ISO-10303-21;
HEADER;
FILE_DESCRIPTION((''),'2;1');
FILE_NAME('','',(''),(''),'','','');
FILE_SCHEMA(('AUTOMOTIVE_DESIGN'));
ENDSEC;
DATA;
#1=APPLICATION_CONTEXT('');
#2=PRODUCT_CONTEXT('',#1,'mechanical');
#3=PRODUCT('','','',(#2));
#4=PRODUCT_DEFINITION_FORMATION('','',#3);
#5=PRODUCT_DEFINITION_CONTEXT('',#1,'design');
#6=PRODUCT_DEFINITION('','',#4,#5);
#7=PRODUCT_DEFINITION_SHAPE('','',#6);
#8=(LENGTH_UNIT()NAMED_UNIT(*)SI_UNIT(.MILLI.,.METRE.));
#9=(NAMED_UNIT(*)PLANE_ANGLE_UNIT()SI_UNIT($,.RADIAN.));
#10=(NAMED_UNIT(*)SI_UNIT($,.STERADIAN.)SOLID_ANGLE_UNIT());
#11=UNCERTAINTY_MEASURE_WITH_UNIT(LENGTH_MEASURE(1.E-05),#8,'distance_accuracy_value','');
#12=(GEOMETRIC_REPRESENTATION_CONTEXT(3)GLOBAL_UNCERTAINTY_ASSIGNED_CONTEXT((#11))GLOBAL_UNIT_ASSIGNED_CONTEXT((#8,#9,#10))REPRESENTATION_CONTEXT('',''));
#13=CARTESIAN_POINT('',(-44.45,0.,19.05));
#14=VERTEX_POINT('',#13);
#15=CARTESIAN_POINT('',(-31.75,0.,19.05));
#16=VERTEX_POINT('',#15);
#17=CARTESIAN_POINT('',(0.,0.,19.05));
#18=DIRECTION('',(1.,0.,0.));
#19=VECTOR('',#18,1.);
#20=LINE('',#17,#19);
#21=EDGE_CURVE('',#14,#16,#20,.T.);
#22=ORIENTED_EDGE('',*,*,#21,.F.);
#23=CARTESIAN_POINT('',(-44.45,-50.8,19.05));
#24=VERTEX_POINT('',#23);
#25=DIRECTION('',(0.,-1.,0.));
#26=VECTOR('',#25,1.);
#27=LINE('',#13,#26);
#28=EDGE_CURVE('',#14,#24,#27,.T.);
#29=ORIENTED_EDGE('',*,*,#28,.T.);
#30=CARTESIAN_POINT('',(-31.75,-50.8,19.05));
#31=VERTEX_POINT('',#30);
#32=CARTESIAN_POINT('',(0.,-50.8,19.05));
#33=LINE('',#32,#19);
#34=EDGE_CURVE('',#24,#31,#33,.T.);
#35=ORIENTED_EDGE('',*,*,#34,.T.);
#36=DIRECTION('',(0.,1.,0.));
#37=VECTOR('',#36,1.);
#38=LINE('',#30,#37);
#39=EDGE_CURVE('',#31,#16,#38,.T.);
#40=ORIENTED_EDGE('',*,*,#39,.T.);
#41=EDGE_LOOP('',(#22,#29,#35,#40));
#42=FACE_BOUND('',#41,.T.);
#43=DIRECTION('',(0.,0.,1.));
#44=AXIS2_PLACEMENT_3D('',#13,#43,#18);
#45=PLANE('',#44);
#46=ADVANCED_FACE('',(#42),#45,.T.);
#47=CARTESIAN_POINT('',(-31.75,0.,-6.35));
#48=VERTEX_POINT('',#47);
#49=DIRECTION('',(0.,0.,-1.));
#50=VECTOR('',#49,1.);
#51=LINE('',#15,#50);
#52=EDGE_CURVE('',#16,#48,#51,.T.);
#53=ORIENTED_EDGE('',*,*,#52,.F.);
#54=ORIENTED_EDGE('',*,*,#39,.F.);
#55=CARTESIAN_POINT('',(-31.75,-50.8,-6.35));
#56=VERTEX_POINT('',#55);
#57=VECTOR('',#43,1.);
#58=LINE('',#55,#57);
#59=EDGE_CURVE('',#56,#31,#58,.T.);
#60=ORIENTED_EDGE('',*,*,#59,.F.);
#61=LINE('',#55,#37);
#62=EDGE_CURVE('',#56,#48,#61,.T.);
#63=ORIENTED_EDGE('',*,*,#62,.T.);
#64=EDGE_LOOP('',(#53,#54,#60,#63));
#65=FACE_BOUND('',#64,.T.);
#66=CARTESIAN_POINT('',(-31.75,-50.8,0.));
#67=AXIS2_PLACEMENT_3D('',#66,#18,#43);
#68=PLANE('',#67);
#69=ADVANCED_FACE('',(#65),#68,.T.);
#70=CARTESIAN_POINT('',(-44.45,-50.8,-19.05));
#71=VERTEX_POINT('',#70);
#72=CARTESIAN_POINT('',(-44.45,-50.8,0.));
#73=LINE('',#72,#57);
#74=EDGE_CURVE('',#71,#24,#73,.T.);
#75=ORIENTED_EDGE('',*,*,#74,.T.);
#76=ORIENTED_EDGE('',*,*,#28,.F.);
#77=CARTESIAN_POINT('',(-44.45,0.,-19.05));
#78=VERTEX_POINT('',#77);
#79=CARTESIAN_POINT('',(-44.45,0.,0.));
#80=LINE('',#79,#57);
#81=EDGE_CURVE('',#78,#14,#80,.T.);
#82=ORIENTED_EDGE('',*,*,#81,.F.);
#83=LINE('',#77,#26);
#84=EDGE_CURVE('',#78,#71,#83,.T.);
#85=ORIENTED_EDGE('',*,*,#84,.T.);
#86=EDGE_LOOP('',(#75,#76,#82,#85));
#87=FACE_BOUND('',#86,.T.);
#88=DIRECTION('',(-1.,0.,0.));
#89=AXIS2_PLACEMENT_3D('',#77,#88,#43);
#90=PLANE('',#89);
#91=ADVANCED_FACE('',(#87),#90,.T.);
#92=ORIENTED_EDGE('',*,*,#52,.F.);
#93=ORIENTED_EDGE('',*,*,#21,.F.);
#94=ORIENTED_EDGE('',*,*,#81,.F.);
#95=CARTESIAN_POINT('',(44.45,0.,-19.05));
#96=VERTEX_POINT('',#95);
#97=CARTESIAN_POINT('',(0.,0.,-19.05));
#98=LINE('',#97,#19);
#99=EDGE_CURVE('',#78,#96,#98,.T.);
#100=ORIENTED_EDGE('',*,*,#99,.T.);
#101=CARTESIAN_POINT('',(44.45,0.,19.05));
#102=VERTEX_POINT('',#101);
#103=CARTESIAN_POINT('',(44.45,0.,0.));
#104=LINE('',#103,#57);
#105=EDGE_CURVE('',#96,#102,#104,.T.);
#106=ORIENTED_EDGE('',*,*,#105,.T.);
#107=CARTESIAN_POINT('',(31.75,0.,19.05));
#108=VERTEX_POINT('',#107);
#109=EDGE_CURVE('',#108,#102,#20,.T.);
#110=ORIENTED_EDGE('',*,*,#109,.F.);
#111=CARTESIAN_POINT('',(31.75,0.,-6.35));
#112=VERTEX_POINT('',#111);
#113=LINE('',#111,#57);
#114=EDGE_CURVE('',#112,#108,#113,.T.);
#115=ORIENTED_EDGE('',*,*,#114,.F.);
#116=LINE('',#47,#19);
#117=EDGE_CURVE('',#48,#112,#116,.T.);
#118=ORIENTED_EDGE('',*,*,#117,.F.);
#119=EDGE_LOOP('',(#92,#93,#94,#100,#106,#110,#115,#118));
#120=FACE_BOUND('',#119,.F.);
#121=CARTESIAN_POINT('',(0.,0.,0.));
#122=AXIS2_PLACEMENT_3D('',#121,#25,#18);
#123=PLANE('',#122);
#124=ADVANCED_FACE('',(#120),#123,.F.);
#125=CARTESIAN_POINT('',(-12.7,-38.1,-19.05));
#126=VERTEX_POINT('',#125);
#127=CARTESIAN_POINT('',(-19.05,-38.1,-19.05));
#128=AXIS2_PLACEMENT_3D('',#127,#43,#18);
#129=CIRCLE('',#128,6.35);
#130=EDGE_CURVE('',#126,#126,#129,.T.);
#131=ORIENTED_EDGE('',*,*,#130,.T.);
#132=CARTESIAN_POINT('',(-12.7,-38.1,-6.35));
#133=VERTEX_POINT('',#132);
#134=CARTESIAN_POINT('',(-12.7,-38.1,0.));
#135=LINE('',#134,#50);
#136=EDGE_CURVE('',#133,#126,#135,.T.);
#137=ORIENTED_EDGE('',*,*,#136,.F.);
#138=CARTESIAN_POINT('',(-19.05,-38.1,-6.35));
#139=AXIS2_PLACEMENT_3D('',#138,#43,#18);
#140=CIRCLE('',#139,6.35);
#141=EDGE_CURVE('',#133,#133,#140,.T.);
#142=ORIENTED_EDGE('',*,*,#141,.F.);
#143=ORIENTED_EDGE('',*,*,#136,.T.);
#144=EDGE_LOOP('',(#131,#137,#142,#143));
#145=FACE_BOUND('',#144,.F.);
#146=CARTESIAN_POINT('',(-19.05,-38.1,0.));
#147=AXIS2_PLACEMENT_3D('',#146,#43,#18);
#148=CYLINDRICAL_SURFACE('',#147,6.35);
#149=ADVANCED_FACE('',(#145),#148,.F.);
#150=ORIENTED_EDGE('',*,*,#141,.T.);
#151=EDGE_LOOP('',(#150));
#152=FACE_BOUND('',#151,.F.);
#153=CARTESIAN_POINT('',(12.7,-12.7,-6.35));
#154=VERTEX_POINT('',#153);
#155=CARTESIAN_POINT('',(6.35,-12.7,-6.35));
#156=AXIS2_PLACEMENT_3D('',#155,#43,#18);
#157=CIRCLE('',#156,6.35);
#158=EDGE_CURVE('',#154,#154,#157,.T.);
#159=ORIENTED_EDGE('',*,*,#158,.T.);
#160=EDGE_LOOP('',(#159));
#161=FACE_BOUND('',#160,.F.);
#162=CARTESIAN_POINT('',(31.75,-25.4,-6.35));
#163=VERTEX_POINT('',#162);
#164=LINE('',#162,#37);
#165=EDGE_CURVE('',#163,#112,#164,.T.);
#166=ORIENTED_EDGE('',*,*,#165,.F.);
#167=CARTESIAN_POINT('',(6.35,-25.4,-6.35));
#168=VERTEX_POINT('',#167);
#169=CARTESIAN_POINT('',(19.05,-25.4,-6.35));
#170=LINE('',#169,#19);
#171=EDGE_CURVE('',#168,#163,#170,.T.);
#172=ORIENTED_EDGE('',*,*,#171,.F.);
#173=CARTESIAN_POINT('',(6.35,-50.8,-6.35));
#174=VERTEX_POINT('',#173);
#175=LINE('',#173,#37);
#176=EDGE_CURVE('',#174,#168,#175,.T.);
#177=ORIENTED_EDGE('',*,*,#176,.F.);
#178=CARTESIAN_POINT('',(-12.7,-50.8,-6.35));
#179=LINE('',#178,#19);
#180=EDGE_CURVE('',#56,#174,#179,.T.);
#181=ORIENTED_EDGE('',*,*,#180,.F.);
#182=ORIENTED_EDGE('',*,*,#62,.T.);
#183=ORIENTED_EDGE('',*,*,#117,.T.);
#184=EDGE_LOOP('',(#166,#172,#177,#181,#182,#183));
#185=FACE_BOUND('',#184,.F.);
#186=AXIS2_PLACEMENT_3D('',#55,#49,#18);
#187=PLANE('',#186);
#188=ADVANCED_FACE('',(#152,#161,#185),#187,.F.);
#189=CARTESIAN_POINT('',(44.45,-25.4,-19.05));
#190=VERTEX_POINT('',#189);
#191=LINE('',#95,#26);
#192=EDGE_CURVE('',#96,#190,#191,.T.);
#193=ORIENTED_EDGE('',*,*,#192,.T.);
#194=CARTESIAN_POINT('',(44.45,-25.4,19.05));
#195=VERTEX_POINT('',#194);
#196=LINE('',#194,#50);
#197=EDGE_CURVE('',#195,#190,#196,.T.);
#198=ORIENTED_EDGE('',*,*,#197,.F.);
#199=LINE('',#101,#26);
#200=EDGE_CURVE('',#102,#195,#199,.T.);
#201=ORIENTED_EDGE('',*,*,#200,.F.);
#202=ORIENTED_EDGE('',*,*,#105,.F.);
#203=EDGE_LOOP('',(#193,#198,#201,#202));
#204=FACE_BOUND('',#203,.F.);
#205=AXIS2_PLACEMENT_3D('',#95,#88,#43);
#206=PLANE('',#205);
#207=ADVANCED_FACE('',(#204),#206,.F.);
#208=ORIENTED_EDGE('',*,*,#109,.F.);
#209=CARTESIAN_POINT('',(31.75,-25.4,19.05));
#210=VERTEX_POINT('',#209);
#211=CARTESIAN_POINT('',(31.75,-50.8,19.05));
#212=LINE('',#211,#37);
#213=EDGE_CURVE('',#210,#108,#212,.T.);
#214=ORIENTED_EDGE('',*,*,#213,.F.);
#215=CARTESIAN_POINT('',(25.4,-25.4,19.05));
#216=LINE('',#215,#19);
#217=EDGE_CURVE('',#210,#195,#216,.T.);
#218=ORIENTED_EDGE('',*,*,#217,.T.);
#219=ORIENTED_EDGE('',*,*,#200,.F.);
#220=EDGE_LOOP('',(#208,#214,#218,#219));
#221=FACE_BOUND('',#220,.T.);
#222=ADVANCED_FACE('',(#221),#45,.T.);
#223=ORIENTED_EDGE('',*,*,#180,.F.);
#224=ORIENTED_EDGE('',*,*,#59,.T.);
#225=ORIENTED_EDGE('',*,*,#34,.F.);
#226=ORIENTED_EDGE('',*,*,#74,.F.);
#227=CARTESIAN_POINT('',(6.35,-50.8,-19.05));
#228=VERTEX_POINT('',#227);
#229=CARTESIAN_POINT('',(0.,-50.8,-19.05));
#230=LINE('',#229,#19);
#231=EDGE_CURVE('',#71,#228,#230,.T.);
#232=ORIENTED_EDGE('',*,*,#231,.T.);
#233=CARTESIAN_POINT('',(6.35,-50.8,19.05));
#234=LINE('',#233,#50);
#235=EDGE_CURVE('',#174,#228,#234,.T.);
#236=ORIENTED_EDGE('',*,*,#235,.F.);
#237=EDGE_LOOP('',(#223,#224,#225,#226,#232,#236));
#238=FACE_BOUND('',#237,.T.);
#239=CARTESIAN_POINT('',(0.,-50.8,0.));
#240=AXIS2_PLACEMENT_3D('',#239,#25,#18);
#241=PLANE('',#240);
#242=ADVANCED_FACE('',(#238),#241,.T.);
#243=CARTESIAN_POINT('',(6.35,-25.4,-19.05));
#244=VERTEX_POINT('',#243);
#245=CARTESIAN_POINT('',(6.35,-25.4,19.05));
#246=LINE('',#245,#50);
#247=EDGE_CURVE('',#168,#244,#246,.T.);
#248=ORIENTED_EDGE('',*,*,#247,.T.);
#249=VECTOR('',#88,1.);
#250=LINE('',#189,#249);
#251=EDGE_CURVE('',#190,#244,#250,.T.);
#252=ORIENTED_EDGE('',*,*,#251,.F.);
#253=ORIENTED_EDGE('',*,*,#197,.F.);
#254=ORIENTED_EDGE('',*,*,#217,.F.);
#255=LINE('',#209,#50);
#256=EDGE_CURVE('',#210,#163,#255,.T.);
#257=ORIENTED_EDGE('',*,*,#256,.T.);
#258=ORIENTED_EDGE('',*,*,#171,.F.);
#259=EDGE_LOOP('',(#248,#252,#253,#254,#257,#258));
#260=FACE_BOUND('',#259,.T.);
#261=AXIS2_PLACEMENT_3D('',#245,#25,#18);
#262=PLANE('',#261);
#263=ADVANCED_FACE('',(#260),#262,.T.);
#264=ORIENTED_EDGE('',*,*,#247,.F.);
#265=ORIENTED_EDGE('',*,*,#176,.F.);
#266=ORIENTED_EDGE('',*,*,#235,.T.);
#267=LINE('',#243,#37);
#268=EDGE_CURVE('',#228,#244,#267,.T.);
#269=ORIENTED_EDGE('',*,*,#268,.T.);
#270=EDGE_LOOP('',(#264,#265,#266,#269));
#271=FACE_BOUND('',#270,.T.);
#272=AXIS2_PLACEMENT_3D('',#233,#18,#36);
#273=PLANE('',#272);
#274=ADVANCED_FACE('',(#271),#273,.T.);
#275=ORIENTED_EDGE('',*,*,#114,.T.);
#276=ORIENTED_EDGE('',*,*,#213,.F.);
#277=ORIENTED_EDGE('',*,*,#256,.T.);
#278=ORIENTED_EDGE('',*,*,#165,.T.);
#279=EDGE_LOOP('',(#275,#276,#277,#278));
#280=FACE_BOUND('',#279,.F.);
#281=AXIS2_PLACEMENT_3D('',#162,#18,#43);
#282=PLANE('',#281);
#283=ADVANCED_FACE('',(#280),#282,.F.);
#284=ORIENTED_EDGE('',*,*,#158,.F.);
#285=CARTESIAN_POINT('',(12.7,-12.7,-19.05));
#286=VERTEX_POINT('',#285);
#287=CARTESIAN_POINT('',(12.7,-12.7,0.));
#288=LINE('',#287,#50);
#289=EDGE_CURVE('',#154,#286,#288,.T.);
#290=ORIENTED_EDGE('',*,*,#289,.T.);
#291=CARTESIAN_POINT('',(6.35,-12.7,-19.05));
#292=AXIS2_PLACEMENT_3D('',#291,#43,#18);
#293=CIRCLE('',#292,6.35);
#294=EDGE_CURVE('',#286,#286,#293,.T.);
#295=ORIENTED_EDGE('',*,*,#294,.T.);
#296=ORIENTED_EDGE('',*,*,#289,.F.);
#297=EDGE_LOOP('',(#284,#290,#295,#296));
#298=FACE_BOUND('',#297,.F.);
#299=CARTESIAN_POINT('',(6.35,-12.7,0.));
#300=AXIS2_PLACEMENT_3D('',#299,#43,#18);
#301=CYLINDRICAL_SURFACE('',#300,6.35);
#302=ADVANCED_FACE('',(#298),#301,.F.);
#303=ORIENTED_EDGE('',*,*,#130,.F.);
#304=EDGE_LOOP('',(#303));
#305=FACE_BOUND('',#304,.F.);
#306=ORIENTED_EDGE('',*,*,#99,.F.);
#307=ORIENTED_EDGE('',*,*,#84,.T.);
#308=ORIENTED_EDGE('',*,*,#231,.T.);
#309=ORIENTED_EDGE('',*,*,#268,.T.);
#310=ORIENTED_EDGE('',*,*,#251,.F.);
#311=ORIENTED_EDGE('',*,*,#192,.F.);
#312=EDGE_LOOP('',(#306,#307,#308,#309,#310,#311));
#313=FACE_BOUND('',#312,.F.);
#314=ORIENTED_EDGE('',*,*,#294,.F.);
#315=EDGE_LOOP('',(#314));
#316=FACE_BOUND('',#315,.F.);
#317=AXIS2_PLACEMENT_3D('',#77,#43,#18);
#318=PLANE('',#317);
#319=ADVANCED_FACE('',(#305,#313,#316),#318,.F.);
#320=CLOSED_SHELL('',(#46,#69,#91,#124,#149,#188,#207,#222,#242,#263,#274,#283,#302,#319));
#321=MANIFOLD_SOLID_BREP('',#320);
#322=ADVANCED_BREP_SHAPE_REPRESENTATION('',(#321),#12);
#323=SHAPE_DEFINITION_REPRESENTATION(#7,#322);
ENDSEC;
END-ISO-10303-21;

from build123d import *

# Parameters (mm, degrees)
F0_W      = 88.9
F0_H      = 38.1
F1_DEPTH  = 50.8
F2_W      = 63.5
F2_H      = 19.05
F3_DEPTH  = 50.801
F4_W      = 38.1
F4_H      = 25.4
F5_DEPTH  = 38.101
F6_W      = 25.4
F6_H      = 25.4
F7_DEPTH  = 19.051
F8_R      = 6.35
F9_DEPTH  = 19.051
F10_R     = 6.35
F11_DEPTH = 19.051
F12_W     = 38.1
F12_H     = 6.35
F13_DEPTH = 50.801
F14_W     = 25.4
F14_H     = 6.35
F15_DEPTH = 25.401


with BuildPart() as f1:
    # F0 (on Front) → F1 (new body)
    with BuildSketch(Plane.XZ):
        Rectangle(F0_W, F0_H)
    extrude(amount=F1_DEPTH)

    # F2 (on face) → F3 (cut, through all)
    with BuildSketch(Plane.XZ.offset(50.8)):
        with Locations((0, 9.525)):
            Rectangle(F2_W, F2_H)
    extrude(amount=-F3_DEPTH, mode=Mode.SUBTRACT)

    # F4 (on face) → F5 (cut, through all)
    with BuildSketch(Plane.XY.offset(19.05)):
        with Locations((25.4, -38.1)):
            Rectangle(F4_W, F4_H)
    extrude(amount=-F5_DEPTH, mode=Mode.SUBTRACT)

    # F6 (on face) → F7 (cut, through all)
    with BuildSketch(Plane.XY):
        with Locations((19.05, -38.1)):
            Rectangle(F6_W, F6_H)
    extrude(amount=-F7_DEPTH, mode=Mode.SUBTRACT)

    # F8 (on face) → F9 (cut, through all)
    with BuildSketch(Plane.XY):
        with Locations((-19.05, -38.1)):
            Circle(F8_R)
    extrude(amount=-F9_DEPTH, mode=Mode.SUBTRACT)

    # F10 (on face) → F11 (cut, through all)
    with BuildSketch(Plane.XY):
        with Locations((6.35, -12.7)):
            Circle(F10_R)
    extrude(amount=-F11_DEPTH, mode=Mode.SUBTRACT)

    # F12 (on face) → F13 (cut, through all)
    with BuildSketch(Plane.XZ.offset(50.8)):
        with Locations((-12.7, -3.175)):
            Rectangle(F12_W, F12_H)
    extrude(amount=-F13_DEPTH, mode=Mode.SUBTRACT)

    # F14 (on face) → F15 (cut, through all)
    with BuildSketch(Plane.XZ.offset(25.4)):
        with Locations((19.05, -3.175)):
            Rectangle(F14_W, F14_H)
    extrude(amount=-F15_DEPTH, mode=Mode.SUBTRACT)


solid = f1.part
